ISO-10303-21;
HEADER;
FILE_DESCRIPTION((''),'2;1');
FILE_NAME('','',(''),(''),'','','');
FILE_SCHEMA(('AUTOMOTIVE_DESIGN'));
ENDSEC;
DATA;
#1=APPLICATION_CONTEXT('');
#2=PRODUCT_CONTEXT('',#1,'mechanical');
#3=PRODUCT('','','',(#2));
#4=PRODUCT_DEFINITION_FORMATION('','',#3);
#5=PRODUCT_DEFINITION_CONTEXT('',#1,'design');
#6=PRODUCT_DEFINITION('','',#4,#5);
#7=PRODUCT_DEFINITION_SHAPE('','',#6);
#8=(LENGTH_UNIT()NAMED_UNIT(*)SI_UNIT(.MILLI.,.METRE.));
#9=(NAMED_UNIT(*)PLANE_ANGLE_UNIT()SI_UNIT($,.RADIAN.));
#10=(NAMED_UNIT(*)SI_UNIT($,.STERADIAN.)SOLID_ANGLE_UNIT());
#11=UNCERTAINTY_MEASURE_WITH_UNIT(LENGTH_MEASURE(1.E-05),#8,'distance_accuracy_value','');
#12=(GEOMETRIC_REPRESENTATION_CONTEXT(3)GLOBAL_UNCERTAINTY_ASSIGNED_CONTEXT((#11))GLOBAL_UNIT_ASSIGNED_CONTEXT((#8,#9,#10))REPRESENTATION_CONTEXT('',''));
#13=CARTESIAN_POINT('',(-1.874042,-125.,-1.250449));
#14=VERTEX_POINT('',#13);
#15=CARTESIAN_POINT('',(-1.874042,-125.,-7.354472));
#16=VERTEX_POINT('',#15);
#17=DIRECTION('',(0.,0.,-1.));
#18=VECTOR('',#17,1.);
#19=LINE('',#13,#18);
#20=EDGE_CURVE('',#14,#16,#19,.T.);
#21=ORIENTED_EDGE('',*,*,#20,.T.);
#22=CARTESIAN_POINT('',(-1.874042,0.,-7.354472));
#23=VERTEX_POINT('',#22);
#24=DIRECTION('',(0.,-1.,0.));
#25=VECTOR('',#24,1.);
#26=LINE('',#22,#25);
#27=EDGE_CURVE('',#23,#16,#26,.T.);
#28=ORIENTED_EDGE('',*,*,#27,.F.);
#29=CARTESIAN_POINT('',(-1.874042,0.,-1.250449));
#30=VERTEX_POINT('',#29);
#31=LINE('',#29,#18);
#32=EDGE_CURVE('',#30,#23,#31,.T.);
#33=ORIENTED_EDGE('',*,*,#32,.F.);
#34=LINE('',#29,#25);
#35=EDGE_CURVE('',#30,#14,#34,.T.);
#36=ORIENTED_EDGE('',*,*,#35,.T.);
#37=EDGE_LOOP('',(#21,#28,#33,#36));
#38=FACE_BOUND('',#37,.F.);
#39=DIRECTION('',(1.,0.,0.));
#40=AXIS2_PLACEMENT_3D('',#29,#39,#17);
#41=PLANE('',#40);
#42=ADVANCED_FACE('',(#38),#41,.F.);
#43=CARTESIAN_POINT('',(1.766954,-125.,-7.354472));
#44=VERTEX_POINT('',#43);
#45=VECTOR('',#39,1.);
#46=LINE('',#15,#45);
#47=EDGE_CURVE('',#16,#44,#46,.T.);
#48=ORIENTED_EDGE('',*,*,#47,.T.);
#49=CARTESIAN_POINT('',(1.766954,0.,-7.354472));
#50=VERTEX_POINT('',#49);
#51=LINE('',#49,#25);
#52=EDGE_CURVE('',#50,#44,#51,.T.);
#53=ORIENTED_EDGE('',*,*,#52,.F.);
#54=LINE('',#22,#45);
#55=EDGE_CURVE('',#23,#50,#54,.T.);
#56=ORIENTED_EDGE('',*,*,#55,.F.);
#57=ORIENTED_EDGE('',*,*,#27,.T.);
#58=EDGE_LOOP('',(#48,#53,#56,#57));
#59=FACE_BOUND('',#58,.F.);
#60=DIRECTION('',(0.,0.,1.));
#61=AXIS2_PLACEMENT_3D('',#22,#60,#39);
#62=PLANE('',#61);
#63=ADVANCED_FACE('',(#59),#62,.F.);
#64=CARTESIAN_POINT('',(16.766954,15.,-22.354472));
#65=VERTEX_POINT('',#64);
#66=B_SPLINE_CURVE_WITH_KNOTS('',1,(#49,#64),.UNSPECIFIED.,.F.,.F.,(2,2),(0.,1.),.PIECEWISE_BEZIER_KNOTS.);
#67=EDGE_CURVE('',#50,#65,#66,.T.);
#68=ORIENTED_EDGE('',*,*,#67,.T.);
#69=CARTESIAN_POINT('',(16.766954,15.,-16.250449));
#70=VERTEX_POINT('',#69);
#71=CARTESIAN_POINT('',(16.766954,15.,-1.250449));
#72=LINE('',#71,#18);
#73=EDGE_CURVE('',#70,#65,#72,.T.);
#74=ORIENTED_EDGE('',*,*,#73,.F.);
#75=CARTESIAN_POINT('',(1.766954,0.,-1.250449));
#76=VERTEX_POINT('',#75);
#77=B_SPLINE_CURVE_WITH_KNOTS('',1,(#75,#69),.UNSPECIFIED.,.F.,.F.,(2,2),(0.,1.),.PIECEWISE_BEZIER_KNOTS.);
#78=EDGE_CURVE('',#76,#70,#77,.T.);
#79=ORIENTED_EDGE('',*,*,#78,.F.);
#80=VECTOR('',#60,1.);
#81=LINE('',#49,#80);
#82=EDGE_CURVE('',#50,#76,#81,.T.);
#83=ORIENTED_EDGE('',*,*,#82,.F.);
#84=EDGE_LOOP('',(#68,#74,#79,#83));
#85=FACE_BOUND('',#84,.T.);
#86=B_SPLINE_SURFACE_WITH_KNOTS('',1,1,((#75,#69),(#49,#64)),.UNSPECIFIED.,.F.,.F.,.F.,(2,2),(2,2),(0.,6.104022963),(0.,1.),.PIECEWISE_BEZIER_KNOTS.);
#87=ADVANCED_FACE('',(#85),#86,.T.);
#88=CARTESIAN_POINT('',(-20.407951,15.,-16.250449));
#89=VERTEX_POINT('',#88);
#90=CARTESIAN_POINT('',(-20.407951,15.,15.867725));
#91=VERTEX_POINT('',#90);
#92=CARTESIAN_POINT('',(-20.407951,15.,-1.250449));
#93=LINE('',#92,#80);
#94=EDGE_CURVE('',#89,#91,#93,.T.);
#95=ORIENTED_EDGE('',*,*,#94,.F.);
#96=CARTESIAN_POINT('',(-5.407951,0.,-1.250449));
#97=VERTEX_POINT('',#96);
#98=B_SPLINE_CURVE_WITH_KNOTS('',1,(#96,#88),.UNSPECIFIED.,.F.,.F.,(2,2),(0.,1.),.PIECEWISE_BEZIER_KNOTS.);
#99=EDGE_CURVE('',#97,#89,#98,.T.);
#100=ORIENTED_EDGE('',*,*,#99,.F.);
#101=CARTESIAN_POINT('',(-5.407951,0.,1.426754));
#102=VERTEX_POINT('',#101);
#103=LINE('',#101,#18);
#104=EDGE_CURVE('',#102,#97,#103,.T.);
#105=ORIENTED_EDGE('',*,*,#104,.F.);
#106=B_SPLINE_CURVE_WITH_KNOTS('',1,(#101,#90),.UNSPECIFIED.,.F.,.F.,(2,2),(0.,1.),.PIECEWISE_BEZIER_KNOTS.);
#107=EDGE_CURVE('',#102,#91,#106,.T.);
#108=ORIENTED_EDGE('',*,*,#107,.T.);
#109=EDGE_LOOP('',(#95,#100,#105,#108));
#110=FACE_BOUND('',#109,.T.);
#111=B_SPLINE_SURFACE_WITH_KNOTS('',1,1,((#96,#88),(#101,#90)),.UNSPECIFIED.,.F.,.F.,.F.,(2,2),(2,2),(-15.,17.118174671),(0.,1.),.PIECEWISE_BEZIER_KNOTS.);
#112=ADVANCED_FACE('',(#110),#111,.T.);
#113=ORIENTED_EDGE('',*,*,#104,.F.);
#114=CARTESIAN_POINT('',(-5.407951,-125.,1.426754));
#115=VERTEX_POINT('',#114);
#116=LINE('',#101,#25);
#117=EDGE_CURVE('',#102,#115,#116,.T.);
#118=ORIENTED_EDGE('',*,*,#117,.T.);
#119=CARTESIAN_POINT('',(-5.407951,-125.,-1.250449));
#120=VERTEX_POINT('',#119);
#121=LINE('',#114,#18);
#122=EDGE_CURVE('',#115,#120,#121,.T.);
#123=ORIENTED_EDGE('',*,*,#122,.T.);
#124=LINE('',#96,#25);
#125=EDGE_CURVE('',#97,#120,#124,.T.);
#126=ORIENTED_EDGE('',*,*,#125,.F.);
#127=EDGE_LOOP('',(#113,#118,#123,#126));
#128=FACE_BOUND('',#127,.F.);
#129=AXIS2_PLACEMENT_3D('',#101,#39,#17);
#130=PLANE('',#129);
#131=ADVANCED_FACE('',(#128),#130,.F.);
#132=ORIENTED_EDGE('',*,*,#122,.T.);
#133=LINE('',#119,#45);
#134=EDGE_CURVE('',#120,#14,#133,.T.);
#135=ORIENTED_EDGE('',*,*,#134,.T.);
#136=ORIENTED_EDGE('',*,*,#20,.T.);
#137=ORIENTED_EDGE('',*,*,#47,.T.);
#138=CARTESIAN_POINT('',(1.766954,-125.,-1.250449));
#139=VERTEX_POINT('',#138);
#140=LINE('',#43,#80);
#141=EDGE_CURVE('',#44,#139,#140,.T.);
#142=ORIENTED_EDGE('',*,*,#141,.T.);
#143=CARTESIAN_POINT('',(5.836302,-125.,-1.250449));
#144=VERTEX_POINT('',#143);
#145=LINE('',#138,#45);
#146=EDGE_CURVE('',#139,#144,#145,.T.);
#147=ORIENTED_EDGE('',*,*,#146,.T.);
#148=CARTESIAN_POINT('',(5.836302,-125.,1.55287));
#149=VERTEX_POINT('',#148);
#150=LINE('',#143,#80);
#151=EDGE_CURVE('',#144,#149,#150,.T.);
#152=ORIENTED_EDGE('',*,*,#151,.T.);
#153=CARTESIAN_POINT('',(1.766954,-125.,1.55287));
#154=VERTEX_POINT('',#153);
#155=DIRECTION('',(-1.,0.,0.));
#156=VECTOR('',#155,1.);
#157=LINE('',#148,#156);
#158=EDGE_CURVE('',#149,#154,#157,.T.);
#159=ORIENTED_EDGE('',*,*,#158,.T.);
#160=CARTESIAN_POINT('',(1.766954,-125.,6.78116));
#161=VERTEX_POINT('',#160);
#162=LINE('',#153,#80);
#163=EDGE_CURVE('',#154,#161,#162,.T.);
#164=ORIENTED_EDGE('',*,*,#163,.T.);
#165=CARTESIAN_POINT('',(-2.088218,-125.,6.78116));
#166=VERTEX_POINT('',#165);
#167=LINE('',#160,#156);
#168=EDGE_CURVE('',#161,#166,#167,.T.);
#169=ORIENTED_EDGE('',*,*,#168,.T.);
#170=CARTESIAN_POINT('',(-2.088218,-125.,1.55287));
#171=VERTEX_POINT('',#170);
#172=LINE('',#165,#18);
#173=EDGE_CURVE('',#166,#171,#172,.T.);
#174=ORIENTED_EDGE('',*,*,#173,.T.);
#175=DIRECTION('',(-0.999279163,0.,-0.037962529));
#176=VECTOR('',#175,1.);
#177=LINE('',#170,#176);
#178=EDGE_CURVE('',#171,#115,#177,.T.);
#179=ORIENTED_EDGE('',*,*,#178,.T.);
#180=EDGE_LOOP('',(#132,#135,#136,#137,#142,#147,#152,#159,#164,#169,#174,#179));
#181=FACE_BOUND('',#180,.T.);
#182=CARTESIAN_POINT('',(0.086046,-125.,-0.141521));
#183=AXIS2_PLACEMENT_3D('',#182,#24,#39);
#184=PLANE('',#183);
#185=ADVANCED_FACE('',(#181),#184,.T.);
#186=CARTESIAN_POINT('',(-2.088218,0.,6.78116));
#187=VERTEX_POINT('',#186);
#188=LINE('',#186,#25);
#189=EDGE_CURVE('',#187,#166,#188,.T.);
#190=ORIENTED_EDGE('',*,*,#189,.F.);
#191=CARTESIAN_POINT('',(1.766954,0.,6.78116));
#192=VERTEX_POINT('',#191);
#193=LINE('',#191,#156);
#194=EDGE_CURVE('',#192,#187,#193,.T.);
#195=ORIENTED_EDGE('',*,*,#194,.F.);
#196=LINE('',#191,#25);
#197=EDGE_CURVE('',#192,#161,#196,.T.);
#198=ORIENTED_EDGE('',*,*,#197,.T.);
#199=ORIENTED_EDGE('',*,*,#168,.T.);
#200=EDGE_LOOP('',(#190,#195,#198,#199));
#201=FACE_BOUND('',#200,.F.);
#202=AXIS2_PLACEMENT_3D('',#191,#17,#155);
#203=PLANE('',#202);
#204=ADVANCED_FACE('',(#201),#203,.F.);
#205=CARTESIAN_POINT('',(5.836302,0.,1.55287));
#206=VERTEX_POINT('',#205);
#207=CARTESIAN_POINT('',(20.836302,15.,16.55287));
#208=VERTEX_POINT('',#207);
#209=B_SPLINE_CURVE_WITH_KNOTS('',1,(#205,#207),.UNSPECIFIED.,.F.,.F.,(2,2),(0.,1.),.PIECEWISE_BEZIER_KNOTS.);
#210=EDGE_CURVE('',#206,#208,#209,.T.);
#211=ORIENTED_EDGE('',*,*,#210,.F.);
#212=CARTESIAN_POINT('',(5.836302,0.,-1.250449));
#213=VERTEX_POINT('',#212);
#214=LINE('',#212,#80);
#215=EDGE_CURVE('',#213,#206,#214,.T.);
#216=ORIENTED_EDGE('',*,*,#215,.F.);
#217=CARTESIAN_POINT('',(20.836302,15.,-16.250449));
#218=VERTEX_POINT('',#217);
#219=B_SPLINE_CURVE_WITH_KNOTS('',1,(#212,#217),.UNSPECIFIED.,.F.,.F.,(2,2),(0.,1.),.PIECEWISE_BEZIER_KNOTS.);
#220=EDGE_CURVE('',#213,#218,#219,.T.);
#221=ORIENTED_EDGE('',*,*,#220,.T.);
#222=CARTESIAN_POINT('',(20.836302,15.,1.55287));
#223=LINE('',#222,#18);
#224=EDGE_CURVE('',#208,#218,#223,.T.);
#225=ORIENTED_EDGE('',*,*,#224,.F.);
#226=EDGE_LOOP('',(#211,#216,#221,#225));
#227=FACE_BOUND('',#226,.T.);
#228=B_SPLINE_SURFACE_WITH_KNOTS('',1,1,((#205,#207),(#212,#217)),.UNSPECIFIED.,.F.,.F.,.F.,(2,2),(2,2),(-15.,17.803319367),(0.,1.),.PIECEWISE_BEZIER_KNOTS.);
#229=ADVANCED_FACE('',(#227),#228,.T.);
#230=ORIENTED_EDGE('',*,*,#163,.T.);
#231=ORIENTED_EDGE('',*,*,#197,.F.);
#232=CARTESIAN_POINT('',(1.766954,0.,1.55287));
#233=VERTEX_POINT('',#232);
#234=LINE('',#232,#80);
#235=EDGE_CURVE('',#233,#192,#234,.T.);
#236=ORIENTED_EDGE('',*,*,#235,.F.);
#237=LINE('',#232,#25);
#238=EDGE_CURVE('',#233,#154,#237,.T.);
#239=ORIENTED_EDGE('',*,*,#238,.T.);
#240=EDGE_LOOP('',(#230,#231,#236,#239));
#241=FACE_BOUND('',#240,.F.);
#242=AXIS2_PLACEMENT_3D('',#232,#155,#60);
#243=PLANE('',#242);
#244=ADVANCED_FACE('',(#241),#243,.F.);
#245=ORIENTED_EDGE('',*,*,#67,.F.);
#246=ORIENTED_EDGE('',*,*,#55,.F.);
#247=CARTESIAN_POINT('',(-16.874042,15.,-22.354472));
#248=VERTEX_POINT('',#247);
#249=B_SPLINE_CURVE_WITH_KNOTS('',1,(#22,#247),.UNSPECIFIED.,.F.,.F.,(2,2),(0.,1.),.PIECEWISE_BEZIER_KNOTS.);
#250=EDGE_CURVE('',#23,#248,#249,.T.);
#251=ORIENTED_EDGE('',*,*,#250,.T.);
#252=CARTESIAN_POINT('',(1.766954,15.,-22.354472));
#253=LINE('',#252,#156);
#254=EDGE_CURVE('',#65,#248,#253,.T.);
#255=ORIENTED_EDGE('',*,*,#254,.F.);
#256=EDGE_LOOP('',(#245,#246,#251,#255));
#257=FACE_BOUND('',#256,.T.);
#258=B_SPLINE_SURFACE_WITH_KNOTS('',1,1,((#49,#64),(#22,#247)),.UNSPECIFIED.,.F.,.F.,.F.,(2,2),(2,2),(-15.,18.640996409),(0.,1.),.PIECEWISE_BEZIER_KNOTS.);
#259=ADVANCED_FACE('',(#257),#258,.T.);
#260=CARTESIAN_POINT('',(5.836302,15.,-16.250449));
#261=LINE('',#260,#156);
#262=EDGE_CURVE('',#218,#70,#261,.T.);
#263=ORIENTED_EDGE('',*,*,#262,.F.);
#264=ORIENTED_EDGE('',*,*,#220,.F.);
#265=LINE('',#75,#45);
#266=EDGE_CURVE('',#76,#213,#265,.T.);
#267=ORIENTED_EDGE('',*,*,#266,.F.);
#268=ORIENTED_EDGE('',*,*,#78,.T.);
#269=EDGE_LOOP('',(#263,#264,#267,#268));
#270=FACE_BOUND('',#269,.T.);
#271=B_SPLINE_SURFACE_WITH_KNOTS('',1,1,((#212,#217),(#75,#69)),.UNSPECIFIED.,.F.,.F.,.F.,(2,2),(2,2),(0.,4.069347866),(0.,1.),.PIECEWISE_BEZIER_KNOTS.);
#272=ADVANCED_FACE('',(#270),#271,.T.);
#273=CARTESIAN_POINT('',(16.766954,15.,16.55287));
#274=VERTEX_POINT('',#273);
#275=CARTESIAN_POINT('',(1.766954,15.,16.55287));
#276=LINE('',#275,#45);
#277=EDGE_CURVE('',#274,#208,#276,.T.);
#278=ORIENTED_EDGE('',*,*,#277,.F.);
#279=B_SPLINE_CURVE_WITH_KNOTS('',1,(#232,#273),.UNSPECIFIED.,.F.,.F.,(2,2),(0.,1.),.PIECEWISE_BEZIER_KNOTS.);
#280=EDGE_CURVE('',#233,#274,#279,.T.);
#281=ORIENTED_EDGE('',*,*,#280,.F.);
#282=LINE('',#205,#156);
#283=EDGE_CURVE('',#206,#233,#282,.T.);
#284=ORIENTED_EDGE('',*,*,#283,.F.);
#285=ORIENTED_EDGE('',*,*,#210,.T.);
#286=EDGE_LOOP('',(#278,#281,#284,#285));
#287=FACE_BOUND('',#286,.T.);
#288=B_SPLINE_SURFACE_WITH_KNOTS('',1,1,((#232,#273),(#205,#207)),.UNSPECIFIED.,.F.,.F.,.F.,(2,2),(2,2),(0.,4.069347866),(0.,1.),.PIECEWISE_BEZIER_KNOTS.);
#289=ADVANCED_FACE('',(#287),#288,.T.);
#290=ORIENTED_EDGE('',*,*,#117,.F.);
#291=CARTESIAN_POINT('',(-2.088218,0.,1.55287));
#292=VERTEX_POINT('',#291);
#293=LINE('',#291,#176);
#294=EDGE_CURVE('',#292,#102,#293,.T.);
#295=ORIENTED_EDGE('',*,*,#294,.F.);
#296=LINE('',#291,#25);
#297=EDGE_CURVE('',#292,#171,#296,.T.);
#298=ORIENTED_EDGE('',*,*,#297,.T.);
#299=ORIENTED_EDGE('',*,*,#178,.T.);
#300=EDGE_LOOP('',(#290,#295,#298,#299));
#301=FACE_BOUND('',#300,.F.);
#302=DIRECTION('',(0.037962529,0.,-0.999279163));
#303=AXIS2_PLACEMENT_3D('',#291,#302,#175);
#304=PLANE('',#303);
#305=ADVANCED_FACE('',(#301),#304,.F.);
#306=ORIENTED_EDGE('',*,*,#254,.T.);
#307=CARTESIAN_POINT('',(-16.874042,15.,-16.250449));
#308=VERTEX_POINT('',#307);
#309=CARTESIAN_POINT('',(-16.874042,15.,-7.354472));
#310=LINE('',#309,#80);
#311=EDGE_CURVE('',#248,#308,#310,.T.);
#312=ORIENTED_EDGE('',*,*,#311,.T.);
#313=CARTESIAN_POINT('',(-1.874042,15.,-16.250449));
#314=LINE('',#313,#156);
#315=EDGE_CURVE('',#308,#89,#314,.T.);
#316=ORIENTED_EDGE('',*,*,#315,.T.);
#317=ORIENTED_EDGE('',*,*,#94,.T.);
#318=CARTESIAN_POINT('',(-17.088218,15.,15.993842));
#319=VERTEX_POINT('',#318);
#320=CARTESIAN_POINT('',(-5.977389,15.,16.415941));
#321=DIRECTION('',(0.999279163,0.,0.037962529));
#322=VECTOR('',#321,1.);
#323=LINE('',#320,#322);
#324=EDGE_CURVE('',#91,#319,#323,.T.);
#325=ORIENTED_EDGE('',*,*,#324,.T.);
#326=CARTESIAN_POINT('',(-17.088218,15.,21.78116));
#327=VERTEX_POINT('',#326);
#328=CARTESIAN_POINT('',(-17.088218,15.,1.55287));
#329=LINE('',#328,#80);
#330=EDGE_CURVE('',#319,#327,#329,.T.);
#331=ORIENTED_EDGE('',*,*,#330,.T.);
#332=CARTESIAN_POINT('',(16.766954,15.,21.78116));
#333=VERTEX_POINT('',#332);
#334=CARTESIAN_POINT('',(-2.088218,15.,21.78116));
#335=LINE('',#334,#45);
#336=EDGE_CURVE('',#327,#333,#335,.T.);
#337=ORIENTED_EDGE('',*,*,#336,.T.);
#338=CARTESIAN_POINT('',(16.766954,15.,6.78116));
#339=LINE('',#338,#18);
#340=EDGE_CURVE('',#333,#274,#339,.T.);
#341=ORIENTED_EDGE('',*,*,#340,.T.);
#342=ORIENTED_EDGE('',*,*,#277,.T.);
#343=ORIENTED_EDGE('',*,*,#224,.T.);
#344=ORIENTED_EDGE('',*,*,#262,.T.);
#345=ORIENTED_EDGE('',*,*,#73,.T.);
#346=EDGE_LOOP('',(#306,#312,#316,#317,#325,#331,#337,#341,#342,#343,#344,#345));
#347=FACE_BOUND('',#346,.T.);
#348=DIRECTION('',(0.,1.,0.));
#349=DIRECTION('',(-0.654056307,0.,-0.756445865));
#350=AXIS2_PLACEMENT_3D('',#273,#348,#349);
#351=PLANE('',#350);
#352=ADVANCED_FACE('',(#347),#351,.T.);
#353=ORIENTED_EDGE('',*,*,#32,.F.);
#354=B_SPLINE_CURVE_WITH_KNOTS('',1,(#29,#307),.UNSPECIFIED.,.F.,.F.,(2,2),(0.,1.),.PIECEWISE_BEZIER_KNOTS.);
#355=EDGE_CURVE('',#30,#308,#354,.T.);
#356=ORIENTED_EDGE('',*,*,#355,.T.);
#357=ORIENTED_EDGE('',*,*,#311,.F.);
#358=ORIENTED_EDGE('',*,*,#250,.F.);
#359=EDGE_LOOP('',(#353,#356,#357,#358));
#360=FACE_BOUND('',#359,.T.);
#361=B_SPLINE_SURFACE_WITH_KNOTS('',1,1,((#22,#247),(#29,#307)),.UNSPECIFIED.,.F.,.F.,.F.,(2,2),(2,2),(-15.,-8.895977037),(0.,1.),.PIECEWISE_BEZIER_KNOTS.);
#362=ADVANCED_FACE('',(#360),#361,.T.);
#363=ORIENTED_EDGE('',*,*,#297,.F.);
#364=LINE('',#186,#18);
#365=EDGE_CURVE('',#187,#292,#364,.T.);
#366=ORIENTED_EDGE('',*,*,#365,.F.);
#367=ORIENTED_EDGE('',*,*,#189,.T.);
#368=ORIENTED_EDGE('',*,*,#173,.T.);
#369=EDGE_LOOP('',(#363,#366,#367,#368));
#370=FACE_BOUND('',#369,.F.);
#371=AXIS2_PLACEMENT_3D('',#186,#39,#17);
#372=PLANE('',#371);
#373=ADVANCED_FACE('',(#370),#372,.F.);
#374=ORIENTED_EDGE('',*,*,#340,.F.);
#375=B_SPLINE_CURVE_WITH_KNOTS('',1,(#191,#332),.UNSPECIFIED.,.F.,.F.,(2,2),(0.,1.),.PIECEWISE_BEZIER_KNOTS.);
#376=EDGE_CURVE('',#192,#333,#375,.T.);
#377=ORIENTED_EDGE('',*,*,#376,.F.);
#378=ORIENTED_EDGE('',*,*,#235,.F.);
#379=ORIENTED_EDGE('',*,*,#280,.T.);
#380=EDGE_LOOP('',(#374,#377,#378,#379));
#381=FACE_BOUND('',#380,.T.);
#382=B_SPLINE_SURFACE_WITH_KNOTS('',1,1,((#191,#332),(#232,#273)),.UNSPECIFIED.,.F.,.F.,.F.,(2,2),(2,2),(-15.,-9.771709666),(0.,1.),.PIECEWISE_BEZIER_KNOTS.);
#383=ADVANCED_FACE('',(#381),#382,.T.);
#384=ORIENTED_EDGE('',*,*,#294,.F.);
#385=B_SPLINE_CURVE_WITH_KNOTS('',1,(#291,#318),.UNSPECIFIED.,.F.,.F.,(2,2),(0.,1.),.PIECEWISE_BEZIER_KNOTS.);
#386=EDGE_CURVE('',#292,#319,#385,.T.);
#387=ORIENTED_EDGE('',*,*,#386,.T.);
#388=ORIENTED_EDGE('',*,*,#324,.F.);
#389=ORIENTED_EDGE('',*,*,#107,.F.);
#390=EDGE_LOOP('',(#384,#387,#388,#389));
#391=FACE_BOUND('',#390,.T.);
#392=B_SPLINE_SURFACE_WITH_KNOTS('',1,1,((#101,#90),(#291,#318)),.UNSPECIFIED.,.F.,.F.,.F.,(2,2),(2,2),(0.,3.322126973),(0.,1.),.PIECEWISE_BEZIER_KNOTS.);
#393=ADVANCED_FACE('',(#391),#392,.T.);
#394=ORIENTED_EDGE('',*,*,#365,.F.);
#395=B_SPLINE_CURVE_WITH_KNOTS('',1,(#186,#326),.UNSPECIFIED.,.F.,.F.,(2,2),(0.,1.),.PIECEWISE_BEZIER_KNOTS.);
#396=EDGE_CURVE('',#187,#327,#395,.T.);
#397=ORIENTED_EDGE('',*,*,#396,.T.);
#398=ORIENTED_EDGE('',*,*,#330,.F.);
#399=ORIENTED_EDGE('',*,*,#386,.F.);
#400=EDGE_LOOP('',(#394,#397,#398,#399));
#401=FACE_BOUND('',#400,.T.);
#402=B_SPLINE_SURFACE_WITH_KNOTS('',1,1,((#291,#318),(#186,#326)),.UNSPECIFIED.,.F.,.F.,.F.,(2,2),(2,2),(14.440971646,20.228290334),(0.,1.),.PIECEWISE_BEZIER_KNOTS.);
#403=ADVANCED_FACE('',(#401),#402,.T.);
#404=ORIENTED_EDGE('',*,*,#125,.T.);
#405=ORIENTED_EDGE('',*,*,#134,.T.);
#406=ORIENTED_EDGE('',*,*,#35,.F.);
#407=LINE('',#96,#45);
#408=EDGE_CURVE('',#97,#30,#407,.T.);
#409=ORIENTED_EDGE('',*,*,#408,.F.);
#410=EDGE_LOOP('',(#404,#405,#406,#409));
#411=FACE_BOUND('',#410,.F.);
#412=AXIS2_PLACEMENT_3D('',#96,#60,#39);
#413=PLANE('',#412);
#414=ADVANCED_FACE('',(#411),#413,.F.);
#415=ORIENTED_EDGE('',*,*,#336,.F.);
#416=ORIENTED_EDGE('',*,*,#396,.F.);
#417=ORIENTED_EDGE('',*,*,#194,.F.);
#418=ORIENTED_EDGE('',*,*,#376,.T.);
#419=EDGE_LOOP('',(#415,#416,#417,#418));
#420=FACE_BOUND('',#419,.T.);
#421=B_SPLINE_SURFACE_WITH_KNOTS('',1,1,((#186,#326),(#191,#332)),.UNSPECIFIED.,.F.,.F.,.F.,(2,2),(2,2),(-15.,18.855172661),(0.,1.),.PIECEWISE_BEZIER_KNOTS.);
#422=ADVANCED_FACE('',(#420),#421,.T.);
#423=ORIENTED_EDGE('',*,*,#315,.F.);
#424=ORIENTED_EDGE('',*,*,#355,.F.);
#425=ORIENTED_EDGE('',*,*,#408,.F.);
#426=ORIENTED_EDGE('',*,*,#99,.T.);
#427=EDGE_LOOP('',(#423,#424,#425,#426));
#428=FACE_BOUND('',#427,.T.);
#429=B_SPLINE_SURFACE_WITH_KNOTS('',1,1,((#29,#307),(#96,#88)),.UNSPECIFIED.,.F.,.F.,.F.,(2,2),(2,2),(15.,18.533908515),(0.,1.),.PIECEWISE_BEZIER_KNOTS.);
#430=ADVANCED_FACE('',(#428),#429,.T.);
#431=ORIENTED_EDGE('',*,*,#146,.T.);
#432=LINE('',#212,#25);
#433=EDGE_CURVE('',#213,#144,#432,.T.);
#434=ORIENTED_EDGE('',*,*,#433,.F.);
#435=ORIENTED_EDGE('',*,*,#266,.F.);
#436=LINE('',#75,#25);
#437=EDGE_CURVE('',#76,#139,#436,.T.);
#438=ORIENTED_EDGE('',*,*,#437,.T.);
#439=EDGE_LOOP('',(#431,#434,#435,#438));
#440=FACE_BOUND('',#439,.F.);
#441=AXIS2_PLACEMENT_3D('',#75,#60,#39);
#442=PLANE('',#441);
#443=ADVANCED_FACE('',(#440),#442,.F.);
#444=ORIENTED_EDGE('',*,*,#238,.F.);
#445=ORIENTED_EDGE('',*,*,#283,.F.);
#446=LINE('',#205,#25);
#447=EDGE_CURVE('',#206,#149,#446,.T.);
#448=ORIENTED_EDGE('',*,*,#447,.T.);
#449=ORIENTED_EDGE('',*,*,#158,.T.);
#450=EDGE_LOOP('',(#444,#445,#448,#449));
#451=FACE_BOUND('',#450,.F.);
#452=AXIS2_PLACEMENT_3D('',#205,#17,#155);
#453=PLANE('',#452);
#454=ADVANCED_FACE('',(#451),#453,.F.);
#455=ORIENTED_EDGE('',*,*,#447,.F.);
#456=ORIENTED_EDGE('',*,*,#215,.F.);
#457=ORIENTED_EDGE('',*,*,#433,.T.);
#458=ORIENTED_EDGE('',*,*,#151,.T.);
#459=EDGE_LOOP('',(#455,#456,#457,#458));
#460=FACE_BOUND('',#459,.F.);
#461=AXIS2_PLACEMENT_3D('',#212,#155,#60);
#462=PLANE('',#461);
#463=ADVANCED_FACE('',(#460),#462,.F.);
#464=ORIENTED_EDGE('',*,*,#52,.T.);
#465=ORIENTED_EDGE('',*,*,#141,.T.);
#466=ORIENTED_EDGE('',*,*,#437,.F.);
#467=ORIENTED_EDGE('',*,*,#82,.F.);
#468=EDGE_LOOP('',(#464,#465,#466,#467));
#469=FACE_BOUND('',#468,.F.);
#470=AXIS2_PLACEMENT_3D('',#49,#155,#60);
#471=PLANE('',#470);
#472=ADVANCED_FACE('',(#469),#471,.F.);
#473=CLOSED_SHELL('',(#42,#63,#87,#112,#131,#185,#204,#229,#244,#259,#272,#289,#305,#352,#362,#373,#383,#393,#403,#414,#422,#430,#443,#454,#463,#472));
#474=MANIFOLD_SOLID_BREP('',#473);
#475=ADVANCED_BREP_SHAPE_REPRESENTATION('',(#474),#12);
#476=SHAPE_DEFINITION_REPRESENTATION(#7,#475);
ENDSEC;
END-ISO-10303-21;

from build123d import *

# Parameters (mm, degrees)
F1_DEPTH = 125
F2_DEPTH = 15
F2_TAPER = -45


with BuildPart() as f1:
    # F0 (on Front) → F1 (new body)
    with BuildSketch(Plane.XZ):
        Polygon((1.7669543546, 6.7811603033), (-2.0882183065, 6.7811603033), (-2.0882183065, 1.552869969), (-5.4079505693, 1.4267536274), (-5.4079505693, -1.2504493977), (-1.874042054, -1.2504493977), (-1.874042054, -7.3544723606), (1.7669543546, -7.3544723606), (1.7669543546, -1.2504493977), (5.8363022205, -1.2504493977), (5.8363022205, 1.552869969), (1.7669543546, 1.552869969), align=None)
    extrude(amount=F1_DEPTH)

    # F1_face (on face) → F2 (join)
    with BuildSketch(Plane(origin=(0.0437470042, 0, -0.0974419845), x_dir=(1, 0, 0), z_dir=(0, 1, 0))):
        Polygon((1.7232073505, -1.6503119535), (5.7925552164, -1.6503119535), (5.7925552164, 1.1530074132), (1.7232073505, 1.1530074132), (1.7232073505, 7.2570303762), (-1.9177890582, 7.2570303762), (-1.9177890582, 1.1530074132), (-5.4516975734, 1.1530074132), (-5.4516975734, -1.5241956119), (-2.1319653107, -1.6503119535), (-2.1319653107, -6.8786022878), (1.7232073505, -6.8786022878), align=None)
    extrude(amount=F2_DEPTH, taper=F2_TAPER)


solid = f1.part
